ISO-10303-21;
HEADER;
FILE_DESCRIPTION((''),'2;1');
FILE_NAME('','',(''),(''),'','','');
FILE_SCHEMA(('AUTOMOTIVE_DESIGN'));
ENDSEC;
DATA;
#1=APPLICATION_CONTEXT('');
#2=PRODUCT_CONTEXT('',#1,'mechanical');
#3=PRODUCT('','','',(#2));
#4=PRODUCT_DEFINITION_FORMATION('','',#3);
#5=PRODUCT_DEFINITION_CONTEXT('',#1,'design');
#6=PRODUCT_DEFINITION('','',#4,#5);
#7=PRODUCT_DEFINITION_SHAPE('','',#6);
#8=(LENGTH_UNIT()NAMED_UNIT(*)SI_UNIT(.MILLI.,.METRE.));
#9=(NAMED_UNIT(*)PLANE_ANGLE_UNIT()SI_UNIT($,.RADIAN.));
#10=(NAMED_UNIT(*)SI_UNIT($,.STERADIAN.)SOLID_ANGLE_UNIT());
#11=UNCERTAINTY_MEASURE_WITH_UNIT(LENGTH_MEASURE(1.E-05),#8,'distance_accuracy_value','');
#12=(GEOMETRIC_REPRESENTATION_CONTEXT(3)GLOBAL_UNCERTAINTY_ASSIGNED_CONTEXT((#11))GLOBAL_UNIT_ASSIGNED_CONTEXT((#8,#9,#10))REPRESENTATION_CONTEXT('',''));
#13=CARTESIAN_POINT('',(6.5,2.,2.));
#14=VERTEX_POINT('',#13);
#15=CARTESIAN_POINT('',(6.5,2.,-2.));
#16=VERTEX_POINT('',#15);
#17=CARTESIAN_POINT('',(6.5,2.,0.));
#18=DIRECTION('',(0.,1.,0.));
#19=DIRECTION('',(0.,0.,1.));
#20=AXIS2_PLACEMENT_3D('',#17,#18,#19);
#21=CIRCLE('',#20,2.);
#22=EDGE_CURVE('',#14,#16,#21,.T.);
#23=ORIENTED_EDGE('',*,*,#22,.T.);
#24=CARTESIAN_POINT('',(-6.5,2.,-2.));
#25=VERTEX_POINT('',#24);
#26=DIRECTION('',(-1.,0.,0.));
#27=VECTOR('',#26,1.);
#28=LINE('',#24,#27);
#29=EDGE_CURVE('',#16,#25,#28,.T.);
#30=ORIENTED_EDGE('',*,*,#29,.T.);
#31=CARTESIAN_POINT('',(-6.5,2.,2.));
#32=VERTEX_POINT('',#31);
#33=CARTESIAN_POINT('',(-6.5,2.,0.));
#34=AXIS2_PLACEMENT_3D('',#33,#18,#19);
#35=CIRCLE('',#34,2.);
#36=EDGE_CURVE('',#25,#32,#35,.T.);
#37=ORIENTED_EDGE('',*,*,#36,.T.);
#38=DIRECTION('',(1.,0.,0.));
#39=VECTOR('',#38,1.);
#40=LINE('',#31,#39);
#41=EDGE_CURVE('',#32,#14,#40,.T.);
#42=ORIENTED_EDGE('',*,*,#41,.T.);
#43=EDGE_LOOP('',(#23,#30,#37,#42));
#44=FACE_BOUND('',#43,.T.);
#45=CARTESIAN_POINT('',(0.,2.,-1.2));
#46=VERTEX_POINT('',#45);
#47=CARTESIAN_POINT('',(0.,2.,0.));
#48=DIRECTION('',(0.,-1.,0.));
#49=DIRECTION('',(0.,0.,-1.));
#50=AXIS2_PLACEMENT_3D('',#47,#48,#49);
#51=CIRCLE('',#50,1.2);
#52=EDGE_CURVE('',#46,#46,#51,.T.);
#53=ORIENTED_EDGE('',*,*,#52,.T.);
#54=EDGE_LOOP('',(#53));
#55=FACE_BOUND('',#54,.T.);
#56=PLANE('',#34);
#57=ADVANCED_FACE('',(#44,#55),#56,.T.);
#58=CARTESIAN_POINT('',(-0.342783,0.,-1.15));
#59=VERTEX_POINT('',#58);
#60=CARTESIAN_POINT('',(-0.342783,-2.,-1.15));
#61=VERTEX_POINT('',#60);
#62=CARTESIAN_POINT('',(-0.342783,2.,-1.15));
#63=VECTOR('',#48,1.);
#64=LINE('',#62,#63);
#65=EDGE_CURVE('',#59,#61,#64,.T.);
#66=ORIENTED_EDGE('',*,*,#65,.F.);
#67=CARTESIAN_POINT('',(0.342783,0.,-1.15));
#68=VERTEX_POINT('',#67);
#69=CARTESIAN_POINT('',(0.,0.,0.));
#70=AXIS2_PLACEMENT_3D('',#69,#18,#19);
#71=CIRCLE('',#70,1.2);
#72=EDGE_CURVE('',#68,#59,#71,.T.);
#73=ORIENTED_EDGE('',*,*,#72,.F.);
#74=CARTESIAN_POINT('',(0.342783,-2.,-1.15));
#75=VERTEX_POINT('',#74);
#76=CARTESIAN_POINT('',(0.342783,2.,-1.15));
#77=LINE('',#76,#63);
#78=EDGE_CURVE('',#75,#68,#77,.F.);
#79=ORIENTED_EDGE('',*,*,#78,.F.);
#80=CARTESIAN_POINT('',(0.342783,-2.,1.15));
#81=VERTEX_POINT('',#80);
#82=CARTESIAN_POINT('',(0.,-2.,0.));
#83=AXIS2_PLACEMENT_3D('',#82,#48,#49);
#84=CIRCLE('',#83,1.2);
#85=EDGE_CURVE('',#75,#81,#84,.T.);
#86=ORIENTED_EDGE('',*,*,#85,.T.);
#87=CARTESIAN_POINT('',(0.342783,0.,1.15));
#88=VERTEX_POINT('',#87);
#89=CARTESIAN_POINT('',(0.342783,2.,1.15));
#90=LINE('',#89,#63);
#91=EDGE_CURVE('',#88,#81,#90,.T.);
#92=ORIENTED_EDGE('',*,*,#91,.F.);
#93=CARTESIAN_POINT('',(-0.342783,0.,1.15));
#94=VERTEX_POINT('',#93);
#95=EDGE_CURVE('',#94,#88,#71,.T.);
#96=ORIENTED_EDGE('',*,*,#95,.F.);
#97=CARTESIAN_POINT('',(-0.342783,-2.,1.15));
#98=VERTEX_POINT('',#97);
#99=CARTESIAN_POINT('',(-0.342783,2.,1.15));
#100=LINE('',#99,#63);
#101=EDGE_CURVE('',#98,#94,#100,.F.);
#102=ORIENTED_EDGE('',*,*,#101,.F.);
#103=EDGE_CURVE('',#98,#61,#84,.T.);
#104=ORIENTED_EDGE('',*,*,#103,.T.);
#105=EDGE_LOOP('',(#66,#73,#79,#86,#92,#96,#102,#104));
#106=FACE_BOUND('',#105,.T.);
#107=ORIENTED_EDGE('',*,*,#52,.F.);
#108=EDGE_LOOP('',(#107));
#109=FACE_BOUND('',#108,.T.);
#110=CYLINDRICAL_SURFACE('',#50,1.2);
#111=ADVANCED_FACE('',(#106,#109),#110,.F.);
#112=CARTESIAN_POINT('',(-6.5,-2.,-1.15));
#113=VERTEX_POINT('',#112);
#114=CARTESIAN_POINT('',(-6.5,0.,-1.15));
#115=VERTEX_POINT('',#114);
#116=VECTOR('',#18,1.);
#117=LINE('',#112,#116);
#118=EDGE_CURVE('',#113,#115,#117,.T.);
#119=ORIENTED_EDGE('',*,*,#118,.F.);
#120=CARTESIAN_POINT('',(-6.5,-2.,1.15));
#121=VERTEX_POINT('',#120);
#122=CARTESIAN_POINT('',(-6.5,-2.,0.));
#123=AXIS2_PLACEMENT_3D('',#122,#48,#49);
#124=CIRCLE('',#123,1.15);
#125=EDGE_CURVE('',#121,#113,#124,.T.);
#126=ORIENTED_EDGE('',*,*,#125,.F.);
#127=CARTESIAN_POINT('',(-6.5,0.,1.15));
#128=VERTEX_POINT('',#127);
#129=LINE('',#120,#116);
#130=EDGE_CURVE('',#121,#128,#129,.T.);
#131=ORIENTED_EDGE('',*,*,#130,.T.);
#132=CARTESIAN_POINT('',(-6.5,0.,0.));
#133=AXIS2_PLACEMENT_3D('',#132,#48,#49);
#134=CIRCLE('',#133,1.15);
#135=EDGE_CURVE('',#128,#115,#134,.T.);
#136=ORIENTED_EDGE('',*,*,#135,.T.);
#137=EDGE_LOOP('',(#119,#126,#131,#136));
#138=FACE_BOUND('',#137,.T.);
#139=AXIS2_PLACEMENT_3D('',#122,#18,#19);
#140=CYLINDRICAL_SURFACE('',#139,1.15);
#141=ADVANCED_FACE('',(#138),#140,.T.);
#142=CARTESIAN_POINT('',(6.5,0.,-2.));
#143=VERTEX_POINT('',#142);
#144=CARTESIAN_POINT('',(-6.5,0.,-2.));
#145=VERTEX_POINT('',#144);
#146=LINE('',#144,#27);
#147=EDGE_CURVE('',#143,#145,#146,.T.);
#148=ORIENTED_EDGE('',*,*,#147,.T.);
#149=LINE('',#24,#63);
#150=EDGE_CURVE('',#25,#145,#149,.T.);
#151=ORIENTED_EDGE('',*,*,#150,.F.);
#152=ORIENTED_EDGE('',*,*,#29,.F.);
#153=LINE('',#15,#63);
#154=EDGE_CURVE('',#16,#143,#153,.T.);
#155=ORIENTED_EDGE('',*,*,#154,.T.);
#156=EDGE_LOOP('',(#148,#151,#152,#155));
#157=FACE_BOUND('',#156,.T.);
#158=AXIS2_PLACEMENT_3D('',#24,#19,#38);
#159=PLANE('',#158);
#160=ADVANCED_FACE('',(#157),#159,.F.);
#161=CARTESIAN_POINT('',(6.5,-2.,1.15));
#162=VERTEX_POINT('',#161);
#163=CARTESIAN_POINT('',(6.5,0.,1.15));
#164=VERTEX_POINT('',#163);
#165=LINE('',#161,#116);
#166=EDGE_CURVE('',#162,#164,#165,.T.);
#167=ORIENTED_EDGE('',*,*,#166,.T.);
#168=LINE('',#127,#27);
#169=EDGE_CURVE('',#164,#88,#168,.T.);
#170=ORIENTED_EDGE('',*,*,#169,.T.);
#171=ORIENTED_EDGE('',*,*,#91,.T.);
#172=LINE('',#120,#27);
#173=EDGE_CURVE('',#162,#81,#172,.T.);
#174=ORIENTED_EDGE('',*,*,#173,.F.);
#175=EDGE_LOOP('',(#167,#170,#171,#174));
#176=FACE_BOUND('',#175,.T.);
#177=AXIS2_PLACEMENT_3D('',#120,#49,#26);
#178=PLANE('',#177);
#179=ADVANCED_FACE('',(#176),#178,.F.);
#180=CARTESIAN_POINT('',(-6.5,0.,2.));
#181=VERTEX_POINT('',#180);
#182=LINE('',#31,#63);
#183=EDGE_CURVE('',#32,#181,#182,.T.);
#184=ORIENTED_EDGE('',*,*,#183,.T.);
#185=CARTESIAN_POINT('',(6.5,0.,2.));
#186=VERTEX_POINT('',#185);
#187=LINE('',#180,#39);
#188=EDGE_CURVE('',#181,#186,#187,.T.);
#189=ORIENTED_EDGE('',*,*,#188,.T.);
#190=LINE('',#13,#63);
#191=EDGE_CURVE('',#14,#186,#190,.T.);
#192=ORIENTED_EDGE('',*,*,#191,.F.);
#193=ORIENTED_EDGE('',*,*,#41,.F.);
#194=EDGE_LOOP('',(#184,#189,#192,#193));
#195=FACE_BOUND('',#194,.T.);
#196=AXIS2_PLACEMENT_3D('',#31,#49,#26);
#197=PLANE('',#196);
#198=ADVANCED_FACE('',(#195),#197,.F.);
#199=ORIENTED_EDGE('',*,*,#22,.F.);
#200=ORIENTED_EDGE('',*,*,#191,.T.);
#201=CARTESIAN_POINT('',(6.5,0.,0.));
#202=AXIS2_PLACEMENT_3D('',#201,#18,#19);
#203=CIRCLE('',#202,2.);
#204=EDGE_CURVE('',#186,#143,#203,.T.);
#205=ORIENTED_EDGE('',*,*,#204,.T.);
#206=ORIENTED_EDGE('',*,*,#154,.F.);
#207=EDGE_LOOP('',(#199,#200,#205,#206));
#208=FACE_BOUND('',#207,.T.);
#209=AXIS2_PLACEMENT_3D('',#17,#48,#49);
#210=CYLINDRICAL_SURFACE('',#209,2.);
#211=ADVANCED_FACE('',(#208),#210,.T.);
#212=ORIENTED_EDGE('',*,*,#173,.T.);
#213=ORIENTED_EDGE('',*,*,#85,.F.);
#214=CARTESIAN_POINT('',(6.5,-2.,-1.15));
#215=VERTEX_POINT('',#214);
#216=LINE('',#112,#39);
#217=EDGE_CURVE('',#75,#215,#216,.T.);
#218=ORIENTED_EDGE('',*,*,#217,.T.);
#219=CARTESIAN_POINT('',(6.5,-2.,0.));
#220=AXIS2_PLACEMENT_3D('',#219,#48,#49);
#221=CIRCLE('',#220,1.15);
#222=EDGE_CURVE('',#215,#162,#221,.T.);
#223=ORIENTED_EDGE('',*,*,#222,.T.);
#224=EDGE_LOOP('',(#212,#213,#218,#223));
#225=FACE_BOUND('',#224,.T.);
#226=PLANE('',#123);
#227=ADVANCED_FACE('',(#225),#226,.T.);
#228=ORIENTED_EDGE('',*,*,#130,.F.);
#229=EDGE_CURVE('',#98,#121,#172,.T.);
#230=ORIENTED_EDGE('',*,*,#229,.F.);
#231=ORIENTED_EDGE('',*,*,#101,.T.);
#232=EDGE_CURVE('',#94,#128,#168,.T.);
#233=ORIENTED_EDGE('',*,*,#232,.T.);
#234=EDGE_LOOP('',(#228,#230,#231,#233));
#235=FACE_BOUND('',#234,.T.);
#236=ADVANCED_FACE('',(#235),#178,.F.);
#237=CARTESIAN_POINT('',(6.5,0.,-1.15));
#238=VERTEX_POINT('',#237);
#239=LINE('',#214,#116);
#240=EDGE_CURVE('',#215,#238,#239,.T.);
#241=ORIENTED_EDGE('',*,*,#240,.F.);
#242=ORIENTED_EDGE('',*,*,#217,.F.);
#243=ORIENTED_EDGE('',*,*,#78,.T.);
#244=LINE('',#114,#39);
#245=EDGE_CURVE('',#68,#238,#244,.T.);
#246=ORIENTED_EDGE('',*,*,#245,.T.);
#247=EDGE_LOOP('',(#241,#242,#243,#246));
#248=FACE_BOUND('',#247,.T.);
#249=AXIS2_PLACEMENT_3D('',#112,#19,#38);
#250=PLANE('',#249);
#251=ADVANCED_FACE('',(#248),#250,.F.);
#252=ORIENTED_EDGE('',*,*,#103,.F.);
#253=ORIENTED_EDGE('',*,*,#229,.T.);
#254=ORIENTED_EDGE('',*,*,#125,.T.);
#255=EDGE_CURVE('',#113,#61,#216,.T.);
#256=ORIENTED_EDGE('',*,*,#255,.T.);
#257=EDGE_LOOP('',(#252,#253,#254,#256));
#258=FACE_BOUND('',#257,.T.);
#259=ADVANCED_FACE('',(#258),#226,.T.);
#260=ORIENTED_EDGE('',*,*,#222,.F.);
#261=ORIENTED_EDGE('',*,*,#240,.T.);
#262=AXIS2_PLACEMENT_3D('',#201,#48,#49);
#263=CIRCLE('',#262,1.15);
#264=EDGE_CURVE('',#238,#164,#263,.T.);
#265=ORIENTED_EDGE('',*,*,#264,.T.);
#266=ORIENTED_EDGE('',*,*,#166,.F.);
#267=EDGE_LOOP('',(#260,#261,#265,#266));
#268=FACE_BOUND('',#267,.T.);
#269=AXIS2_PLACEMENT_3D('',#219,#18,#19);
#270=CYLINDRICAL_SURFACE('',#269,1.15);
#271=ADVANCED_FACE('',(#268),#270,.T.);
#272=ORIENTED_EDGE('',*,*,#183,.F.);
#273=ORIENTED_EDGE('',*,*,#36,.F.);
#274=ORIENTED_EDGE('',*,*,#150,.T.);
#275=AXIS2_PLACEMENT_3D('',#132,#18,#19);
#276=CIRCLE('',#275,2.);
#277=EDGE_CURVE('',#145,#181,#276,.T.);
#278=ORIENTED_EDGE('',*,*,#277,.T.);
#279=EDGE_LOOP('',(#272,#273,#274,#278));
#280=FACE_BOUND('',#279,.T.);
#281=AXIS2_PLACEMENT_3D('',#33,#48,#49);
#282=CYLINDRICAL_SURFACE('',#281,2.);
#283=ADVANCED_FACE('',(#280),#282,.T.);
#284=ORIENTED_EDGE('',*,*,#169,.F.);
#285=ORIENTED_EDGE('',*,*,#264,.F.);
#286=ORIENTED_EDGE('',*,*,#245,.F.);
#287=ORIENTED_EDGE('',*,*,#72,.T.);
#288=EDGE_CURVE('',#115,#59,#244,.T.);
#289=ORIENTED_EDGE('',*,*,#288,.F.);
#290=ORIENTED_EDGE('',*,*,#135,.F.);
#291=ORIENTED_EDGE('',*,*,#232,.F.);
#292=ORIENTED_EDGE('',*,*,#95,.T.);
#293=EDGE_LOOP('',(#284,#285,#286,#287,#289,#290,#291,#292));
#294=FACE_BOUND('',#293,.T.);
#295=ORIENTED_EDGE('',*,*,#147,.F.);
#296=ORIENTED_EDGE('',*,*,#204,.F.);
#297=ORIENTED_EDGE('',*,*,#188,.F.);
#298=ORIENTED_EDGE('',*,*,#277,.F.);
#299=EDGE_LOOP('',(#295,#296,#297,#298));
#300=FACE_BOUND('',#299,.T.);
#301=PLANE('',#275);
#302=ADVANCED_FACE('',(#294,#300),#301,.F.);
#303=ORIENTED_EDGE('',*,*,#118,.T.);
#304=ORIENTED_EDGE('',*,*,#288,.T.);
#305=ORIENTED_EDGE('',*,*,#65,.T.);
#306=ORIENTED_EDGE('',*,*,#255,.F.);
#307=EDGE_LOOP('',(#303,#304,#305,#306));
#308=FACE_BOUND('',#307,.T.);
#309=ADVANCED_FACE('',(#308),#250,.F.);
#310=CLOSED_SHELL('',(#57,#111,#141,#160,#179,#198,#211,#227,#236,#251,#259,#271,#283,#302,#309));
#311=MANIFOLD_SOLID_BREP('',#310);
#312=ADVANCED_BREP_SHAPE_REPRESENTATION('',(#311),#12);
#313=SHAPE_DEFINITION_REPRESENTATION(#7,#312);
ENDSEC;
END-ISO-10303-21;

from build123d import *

# Parameters (mm, degrees)
BOSS_EXTRUDE1_DEPTH = 2
BOSS_EXTRUDE2_DEPTH = 2
SKETCH3_R           = 1.2
CUT_EXTRUDE1_DEPTH  = 5


with BuildPart() as part:
    # Sketch1 → Boss-Extrude1 (new body)
    with BuildSketch(Plane(origin=(0, 0, 0), x_dir=(1, 0, 0), z_dir=(0, 1, 0))):
        with BuildLine():
            Line((-6.5, 2), (6.5, 2))
            ThreePointArc((6.5, 2), (8.5, 0), (6.5, -2))
            Line((6.5, -2), (-6.5, -2))
            ThreePointArc((-6.5, -2), (-8.5, 0), (-6.5, 2))
        make_face()
    extrude(amount=BOSS_EXTRUDE1_DEPTH)

    # Sketch2 → Boss-Extrude2 (add)
    with BuildSketch(Plane.XZ):
        with BuildLine():
            Line((-6.5, 1.15), (6.5, 1.15))
            ThreePointArc((6.5, 1.15), (7.65, 0), (6.5, -1.15))
            Line((6.5, -1.15), (-6.5, -1.15))
            ThreePointArc((-6.5, -1.15), (-7.65, 0), (-6.5, 1.15))
        make_face()
    extrude(amount=BOSS_EXTRUDE2_DEPTH)

    # Sketch3 → Cut-Extrude1 (cut, through all)
    with BuildSketch(Plane.XZ.offset(2)):
        Circle(SKETCH3_R)
    extrude(amount=-CUT_EXTRUDE1_DEPTH, mode=Mode.SUBTRACT)


solid = part.part
